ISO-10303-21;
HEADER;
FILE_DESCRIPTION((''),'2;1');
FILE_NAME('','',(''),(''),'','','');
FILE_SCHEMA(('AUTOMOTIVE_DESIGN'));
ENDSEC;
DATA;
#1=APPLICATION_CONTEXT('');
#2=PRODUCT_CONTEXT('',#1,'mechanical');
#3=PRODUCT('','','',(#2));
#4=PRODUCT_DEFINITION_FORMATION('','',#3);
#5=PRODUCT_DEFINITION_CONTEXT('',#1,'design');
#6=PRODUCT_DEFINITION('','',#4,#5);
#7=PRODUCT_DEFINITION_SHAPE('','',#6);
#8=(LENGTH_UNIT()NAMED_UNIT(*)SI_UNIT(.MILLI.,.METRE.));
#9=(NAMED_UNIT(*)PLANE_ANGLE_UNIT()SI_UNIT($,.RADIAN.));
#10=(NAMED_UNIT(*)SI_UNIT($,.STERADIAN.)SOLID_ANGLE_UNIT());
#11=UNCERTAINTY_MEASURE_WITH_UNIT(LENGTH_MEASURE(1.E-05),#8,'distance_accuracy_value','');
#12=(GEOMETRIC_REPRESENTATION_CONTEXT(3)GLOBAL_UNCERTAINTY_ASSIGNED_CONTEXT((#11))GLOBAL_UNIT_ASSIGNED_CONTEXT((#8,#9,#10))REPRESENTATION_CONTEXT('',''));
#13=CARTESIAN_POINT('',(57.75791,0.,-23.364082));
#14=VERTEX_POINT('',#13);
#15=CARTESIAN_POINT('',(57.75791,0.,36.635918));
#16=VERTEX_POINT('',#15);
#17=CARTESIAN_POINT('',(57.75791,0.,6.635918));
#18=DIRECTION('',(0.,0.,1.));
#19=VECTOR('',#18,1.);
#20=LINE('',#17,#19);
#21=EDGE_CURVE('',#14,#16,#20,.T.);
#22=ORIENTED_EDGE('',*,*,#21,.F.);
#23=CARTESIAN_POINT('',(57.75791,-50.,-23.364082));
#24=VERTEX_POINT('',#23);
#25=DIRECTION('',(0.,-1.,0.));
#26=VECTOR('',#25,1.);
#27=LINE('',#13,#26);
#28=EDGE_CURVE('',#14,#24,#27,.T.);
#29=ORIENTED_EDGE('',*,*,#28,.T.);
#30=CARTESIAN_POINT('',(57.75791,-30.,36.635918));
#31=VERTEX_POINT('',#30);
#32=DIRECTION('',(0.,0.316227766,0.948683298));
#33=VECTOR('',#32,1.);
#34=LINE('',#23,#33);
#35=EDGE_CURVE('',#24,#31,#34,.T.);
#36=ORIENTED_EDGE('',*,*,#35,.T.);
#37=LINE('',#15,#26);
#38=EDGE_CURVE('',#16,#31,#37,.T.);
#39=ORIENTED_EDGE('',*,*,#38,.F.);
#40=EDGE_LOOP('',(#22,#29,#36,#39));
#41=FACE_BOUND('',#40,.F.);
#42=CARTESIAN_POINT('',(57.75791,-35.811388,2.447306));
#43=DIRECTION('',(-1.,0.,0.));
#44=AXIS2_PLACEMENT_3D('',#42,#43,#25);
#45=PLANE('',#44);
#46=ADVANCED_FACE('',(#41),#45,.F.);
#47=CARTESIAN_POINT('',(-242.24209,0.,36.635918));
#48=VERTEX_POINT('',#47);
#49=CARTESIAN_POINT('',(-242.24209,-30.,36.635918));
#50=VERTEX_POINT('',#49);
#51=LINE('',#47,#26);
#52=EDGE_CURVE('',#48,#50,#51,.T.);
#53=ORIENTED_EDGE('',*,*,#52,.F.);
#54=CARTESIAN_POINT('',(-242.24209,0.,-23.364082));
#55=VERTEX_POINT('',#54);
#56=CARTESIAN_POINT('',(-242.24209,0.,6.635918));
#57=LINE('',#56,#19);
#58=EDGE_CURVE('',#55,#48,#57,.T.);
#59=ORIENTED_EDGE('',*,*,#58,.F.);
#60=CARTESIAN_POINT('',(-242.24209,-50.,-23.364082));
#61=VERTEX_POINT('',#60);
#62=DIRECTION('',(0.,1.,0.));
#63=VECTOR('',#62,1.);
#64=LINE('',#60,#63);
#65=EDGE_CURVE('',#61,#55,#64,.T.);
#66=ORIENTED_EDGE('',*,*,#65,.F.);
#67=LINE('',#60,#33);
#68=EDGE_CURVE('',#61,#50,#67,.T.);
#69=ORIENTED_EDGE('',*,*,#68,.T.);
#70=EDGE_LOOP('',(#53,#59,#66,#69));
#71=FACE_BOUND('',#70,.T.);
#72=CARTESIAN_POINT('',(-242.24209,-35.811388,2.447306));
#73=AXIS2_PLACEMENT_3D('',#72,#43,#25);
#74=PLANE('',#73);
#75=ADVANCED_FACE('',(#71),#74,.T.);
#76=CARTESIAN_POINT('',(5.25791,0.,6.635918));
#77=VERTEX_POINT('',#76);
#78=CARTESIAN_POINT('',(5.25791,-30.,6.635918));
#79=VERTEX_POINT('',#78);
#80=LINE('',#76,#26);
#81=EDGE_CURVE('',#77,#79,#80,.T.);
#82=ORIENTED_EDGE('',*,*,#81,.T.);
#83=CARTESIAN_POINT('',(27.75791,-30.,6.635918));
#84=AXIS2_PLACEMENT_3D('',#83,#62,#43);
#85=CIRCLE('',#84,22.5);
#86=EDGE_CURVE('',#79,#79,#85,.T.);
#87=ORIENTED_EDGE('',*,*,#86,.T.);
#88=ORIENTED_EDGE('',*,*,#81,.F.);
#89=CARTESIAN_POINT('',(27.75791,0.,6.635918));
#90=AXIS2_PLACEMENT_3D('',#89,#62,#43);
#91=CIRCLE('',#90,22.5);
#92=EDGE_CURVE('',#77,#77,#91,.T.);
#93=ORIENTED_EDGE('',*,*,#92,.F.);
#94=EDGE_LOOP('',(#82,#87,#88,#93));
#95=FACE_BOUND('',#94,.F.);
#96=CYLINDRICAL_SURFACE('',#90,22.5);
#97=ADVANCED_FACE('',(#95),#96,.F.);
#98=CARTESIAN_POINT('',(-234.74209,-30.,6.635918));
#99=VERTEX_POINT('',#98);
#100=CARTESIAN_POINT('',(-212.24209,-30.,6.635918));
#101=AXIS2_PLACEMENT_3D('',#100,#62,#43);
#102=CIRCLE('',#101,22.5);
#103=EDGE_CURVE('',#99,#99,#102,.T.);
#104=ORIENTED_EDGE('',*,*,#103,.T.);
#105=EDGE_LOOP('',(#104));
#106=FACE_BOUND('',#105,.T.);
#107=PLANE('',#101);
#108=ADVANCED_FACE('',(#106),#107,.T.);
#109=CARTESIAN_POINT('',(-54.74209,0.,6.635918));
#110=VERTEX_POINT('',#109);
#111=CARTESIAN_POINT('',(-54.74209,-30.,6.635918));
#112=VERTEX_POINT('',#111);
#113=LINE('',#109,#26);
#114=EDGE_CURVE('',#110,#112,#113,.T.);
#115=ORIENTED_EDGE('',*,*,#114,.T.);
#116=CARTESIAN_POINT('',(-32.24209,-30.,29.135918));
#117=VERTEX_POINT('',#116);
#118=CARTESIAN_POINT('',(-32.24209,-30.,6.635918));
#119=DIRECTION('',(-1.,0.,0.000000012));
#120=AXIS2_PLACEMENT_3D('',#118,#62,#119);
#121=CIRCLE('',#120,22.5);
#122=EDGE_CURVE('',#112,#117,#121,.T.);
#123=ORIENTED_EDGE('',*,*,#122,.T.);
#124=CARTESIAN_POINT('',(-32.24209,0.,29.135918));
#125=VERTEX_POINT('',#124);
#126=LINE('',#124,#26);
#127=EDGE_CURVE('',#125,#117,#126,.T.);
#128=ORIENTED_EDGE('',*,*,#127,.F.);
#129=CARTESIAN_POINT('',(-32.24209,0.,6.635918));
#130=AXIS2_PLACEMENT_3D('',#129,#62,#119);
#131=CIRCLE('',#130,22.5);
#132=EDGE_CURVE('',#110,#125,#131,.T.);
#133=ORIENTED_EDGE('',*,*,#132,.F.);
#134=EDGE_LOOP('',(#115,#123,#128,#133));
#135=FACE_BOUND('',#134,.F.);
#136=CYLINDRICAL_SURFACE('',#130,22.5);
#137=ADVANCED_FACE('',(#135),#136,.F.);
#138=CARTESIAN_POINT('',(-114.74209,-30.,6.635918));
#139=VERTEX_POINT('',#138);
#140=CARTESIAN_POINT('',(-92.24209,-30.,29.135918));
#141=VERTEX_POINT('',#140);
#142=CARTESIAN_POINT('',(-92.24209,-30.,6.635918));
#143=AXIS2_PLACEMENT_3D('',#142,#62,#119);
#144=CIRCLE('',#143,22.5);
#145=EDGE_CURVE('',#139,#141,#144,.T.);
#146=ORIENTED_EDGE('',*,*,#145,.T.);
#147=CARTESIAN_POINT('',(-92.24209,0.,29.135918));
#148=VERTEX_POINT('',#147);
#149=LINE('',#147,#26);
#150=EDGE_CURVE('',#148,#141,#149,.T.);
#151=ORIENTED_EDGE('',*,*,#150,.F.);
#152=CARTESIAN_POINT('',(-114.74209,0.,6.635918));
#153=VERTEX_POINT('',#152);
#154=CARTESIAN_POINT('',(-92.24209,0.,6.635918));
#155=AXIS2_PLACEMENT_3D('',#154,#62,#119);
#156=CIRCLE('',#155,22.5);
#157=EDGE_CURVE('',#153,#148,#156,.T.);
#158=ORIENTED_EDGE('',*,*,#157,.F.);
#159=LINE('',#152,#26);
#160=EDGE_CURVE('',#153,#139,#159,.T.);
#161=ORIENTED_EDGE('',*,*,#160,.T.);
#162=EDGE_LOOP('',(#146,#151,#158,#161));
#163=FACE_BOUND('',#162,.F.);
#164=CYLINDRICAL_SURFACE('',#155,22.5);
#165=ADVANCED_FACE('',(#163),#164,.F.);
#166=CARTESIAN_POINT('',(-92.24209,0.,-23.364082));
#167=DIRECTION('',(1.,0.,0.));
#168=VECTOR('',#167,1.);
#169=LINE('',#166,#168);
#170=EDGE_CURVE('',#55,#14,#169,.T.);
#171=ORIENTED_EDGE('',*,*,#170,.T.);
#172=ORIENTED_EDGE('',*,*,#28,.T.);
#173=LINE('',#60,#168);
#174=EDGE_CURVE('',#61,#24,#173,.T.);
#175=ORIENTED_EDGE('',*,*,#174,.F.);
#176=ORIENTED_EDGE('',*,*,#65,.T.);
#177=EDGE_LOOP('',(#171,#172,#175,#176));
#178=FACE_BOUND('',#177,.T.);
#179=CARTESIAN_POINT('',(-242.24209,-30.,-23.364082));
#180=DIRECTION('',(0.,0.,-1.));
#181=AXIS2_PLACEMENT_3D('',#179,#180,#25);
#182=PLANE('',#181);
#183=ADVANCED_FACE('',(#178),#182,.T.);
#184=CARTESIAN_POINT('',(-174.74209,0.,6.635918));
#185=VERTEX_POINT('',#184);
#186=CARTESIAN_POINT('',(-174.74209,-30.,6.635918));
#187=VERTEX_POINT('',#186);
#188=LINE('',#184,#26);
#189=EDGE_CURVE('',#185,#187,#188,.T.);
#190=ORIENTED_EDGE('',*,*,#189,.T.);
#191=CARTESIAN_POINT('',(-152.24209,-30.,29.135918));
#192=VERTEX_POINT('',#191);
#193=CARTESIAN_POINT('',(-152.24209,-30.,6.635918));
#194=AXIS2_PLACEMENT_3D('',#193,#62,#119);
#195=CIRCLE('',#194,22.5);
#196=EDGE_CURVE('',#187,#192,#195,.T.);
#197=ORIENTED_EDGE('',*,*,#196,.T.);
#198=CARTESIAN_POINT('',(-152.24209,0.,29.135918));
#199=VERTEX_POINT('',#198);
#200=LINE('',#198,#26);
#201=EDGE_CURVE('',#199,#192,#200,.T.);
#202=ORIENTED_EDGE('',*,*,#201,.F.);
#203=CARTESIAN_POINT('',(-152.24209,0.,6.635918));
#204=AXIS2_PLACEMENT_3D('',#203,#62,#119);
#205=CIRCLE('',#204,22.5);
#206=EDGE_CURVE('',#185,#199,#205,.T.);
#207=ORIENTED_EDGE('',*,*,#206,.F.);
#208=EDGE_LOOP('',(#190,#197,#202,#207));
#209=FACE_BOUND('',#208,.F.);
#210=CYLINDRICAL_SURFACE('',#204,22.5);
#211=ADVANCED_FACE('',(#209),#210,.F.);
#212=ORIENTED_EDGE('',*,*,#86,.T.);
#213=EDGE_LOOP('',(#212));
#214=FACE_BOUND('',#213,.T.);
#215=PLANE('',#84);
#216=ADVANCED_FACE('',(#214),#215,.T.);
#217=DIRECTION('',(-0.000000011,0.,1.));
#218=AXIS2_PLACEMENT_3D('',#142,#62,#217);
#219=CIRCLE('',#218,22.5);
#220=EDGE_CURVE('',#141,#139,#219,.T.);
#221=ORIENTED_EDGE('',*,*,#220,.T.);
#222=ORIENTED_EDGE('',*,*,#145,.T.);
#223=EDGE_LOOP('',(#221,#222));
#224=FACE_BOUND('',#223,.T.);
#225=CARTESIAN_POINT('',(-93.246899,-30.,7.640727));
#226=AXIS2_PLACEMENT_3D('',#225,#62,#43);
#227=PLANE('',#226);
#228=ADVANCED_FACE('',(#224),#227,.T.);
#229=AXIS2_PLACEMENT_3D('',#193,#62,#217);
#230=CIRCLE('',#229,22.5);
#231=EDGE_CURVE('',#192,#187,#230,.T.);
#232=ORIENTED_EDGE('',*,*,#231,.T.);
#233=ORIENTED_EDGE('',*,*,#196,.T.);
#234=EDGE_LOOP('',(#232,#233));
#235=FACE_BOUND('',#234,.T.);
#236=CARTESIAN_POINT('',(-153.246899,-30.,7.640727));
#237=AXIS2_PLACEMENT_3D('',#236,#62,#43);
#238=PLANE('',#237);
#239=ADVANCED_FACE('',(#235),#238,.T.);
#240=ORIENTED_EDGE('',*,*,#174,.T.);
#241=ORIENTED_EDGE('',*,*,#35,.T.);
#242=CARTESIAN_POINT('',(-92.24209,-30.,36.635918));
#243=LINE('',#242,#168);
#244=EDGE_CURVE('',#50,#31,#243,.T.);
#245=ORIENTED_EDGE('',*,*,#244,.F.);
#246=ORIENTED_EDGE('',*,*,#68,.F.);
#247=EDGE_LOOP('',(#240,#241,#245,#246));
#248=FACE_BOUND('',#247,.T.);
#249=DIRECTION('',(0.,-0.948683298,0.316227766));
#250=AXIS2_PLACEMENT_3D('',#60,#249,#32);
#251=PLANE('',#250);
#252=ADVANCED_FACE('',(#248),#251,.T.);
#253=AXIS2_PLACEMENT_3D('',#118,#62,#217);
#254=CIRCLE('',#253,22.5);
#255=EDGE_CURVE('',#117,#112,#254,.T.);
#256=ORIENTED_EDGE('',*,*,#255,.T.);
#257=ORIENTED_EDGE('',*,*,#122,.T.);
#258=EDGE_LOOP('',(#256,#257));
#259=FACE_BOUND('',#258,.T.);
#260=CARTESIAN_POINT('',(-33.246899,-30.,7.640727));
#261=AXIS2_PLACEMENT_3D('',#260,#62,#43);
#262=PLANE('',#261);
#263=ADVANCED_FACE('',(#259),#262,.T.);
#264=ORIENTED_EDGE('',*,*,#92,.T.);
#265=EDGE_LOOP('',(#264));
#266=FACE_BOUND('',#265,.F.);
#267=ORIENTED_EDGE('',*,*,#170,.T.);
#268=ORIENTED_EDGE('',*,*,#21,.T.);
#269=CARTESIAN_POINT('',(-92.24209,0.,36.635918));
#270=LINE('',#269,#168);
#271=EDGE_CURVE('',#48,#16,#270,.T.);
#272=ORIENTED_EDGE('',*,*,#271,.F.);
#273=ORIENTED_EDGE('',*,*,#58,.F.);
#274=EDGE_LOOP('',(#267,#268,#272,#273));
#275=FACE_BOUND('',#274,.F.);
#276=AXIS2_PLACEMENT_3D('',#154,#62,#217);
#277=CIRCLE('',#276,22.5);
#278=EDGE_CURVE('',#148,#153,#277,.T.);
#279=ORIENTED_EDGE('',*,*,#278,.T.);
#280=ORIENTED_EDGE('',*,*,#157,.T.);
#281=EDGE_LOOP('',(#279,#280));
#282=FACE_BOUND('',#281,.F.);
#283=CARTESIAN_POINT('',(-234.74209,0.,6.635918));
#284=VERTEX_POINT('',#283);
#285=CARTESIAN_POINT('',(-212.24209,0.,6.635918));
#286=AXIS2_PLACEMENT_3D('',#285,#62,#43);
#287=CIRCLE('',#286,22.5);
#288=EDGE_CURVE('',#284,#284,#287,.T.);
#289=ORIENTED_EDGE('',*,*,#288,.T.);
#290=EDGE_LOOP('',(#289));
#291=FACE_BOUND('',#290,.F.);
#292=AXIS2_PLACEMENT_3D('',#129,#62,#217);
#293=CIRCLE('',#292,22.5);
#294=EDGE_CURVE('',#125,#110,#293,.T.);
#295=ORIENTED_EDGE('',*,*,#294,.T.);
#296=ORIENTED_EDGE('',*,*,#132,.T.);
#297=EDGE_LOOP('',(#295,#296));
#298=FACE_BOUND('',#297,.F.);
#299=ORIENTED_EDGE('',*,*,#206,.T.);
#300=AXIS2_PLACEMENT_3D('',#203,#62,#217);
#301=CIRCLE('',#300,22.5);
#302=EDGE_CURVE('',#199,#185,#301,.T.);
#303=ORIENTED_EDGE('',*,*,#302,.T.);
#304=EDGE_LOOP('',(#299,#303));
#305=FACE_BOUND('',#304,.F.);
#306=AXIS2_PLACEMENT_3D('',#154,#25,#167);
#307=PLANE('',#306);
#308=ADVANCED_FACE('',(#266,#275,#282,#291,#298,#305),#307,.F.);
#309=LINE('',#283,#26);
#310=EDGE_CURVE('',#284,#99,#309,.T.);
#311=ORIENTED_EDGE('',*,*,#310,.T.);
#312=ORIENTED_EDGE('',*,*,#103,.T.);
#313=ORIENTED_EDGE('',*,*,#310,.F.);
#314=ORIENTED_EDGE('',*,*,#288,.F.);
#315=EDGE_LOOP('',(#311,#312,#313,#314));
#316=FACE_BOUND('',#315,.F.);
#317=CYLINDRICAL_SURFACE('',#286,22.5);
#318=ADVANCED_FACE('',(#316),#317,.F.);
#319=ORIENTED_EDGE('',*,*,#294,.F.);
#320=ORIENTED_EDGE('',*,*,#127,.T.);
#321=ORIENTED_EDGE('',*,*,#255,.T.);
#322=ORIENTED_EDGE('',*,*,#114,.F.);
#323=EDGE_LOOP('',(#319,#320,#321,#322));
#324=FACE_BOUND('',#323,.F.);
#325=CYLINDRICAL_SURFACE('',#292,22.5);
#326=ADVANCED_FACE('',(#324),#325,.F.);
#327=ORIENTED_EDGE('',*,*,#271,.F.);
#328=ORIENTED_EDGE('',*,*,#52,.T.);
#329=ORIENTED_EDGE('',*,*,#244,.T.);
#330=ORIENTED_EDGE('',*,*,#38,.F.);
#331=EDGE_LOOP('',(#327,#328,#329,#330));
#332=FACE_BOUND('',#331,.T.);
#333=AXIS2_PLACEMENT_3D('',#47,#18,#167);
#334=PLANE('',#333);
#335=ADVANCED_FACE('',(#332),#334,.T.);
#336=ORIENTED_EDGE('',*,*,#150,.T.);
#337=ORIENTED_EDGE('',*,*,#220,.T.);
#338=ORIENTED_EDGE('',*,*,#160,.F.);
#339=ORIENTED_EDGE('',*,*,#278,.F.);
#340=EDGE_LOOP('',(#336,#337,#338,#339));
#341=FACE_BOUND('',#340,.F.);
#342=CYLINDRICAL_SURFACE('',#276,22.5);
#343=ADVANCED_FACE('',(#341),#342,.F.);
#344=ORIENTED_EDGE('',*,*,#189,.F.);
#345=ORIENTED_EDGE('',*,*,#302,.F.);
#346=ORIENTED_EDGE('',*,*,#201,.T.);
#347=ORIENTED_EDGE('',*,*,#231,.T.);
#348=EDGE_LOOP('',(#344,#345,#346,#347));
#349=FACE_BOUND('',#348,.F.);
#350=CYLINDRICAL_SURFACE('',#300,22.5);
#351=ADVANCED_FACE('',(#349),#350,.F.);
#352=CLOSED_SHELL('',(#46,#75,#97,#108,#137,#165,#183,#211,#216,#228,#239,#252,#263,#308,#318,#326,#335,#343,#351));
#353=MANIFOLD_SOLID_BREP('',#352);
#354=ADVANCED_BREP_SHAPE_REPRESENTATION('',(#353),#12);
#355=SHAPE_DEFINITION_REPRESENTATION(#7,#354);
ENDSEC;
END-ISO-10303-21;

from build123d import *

# Parameters (mm, degrees)
F0_W     = 300
F0_H     = 60
F1_DEPTH = 30
F3_DEPTH = 300
F4_R     = 22.5
F5_DEPTH = 30


with BuildPart() as f1:
    # F0 (on Front) → F1 (new body)
    with BuildSketch(Plane.XZ):
        with Locations((-92.24209, 6.635918)):
            Rectangle(F0_W, F0_H)
    extrude(amount=F1_DEPTH)

    # F2 (on face) → F3 (join)
    with BuildSketch(Plane(origin=(-242.24209, 0, 0), x_dir=(0, -1, 0), z_dir=(-1, 0, 0))):
        Polygon((30, 36.635918), (30, -23.364082), (50, -23.364082), align=None)
    extrude(amount=-F3_DEPTH)

    # F4 (on face) → F5 (cut)
    with BuildSketch(Plane(origin=(0, 0, 0), x_dir=(-1, 0, 0), z_dir=(0, 1, 0))):
        with Locations((-27.75791, 6.635918)):
            Circle(F4_R)
        with BuildLine():
            ThreePointArc((54.74209, 6.635918), (48.151992, 22.545821), (32.24209, 29.135918))
            ThreePointArc((32.24209, 29.135918), (16.332187, -9.273985), (54.74209, 6.635918))
        make_face()
        with BuildLine():
            ThreePointArc((114.74209, 6.635918), (108.151992, 22.545821), (92.24209, 29.135918))
            ThreePointArc((92.24209, 29.135918), (76.332187, -9.273985), (114.74209, 6.635918))
        make_face()
        with BuildLine():
            ThreePointArc((174.74209, 6.635918), (168.151992, 22.545821), (152.24209, 29.135918))
            ThreePointArc((152.24209, 29.135918), (136.332187, -9.273985), (174.74209, 6.635918))
        make_face()
        with Locations((212.24209, 6.635918)):
            Circle(F4_R)
    extrude(amount=-F5_DEPTH, mode=Mode.SUBTRACT)


solid = f1.part
